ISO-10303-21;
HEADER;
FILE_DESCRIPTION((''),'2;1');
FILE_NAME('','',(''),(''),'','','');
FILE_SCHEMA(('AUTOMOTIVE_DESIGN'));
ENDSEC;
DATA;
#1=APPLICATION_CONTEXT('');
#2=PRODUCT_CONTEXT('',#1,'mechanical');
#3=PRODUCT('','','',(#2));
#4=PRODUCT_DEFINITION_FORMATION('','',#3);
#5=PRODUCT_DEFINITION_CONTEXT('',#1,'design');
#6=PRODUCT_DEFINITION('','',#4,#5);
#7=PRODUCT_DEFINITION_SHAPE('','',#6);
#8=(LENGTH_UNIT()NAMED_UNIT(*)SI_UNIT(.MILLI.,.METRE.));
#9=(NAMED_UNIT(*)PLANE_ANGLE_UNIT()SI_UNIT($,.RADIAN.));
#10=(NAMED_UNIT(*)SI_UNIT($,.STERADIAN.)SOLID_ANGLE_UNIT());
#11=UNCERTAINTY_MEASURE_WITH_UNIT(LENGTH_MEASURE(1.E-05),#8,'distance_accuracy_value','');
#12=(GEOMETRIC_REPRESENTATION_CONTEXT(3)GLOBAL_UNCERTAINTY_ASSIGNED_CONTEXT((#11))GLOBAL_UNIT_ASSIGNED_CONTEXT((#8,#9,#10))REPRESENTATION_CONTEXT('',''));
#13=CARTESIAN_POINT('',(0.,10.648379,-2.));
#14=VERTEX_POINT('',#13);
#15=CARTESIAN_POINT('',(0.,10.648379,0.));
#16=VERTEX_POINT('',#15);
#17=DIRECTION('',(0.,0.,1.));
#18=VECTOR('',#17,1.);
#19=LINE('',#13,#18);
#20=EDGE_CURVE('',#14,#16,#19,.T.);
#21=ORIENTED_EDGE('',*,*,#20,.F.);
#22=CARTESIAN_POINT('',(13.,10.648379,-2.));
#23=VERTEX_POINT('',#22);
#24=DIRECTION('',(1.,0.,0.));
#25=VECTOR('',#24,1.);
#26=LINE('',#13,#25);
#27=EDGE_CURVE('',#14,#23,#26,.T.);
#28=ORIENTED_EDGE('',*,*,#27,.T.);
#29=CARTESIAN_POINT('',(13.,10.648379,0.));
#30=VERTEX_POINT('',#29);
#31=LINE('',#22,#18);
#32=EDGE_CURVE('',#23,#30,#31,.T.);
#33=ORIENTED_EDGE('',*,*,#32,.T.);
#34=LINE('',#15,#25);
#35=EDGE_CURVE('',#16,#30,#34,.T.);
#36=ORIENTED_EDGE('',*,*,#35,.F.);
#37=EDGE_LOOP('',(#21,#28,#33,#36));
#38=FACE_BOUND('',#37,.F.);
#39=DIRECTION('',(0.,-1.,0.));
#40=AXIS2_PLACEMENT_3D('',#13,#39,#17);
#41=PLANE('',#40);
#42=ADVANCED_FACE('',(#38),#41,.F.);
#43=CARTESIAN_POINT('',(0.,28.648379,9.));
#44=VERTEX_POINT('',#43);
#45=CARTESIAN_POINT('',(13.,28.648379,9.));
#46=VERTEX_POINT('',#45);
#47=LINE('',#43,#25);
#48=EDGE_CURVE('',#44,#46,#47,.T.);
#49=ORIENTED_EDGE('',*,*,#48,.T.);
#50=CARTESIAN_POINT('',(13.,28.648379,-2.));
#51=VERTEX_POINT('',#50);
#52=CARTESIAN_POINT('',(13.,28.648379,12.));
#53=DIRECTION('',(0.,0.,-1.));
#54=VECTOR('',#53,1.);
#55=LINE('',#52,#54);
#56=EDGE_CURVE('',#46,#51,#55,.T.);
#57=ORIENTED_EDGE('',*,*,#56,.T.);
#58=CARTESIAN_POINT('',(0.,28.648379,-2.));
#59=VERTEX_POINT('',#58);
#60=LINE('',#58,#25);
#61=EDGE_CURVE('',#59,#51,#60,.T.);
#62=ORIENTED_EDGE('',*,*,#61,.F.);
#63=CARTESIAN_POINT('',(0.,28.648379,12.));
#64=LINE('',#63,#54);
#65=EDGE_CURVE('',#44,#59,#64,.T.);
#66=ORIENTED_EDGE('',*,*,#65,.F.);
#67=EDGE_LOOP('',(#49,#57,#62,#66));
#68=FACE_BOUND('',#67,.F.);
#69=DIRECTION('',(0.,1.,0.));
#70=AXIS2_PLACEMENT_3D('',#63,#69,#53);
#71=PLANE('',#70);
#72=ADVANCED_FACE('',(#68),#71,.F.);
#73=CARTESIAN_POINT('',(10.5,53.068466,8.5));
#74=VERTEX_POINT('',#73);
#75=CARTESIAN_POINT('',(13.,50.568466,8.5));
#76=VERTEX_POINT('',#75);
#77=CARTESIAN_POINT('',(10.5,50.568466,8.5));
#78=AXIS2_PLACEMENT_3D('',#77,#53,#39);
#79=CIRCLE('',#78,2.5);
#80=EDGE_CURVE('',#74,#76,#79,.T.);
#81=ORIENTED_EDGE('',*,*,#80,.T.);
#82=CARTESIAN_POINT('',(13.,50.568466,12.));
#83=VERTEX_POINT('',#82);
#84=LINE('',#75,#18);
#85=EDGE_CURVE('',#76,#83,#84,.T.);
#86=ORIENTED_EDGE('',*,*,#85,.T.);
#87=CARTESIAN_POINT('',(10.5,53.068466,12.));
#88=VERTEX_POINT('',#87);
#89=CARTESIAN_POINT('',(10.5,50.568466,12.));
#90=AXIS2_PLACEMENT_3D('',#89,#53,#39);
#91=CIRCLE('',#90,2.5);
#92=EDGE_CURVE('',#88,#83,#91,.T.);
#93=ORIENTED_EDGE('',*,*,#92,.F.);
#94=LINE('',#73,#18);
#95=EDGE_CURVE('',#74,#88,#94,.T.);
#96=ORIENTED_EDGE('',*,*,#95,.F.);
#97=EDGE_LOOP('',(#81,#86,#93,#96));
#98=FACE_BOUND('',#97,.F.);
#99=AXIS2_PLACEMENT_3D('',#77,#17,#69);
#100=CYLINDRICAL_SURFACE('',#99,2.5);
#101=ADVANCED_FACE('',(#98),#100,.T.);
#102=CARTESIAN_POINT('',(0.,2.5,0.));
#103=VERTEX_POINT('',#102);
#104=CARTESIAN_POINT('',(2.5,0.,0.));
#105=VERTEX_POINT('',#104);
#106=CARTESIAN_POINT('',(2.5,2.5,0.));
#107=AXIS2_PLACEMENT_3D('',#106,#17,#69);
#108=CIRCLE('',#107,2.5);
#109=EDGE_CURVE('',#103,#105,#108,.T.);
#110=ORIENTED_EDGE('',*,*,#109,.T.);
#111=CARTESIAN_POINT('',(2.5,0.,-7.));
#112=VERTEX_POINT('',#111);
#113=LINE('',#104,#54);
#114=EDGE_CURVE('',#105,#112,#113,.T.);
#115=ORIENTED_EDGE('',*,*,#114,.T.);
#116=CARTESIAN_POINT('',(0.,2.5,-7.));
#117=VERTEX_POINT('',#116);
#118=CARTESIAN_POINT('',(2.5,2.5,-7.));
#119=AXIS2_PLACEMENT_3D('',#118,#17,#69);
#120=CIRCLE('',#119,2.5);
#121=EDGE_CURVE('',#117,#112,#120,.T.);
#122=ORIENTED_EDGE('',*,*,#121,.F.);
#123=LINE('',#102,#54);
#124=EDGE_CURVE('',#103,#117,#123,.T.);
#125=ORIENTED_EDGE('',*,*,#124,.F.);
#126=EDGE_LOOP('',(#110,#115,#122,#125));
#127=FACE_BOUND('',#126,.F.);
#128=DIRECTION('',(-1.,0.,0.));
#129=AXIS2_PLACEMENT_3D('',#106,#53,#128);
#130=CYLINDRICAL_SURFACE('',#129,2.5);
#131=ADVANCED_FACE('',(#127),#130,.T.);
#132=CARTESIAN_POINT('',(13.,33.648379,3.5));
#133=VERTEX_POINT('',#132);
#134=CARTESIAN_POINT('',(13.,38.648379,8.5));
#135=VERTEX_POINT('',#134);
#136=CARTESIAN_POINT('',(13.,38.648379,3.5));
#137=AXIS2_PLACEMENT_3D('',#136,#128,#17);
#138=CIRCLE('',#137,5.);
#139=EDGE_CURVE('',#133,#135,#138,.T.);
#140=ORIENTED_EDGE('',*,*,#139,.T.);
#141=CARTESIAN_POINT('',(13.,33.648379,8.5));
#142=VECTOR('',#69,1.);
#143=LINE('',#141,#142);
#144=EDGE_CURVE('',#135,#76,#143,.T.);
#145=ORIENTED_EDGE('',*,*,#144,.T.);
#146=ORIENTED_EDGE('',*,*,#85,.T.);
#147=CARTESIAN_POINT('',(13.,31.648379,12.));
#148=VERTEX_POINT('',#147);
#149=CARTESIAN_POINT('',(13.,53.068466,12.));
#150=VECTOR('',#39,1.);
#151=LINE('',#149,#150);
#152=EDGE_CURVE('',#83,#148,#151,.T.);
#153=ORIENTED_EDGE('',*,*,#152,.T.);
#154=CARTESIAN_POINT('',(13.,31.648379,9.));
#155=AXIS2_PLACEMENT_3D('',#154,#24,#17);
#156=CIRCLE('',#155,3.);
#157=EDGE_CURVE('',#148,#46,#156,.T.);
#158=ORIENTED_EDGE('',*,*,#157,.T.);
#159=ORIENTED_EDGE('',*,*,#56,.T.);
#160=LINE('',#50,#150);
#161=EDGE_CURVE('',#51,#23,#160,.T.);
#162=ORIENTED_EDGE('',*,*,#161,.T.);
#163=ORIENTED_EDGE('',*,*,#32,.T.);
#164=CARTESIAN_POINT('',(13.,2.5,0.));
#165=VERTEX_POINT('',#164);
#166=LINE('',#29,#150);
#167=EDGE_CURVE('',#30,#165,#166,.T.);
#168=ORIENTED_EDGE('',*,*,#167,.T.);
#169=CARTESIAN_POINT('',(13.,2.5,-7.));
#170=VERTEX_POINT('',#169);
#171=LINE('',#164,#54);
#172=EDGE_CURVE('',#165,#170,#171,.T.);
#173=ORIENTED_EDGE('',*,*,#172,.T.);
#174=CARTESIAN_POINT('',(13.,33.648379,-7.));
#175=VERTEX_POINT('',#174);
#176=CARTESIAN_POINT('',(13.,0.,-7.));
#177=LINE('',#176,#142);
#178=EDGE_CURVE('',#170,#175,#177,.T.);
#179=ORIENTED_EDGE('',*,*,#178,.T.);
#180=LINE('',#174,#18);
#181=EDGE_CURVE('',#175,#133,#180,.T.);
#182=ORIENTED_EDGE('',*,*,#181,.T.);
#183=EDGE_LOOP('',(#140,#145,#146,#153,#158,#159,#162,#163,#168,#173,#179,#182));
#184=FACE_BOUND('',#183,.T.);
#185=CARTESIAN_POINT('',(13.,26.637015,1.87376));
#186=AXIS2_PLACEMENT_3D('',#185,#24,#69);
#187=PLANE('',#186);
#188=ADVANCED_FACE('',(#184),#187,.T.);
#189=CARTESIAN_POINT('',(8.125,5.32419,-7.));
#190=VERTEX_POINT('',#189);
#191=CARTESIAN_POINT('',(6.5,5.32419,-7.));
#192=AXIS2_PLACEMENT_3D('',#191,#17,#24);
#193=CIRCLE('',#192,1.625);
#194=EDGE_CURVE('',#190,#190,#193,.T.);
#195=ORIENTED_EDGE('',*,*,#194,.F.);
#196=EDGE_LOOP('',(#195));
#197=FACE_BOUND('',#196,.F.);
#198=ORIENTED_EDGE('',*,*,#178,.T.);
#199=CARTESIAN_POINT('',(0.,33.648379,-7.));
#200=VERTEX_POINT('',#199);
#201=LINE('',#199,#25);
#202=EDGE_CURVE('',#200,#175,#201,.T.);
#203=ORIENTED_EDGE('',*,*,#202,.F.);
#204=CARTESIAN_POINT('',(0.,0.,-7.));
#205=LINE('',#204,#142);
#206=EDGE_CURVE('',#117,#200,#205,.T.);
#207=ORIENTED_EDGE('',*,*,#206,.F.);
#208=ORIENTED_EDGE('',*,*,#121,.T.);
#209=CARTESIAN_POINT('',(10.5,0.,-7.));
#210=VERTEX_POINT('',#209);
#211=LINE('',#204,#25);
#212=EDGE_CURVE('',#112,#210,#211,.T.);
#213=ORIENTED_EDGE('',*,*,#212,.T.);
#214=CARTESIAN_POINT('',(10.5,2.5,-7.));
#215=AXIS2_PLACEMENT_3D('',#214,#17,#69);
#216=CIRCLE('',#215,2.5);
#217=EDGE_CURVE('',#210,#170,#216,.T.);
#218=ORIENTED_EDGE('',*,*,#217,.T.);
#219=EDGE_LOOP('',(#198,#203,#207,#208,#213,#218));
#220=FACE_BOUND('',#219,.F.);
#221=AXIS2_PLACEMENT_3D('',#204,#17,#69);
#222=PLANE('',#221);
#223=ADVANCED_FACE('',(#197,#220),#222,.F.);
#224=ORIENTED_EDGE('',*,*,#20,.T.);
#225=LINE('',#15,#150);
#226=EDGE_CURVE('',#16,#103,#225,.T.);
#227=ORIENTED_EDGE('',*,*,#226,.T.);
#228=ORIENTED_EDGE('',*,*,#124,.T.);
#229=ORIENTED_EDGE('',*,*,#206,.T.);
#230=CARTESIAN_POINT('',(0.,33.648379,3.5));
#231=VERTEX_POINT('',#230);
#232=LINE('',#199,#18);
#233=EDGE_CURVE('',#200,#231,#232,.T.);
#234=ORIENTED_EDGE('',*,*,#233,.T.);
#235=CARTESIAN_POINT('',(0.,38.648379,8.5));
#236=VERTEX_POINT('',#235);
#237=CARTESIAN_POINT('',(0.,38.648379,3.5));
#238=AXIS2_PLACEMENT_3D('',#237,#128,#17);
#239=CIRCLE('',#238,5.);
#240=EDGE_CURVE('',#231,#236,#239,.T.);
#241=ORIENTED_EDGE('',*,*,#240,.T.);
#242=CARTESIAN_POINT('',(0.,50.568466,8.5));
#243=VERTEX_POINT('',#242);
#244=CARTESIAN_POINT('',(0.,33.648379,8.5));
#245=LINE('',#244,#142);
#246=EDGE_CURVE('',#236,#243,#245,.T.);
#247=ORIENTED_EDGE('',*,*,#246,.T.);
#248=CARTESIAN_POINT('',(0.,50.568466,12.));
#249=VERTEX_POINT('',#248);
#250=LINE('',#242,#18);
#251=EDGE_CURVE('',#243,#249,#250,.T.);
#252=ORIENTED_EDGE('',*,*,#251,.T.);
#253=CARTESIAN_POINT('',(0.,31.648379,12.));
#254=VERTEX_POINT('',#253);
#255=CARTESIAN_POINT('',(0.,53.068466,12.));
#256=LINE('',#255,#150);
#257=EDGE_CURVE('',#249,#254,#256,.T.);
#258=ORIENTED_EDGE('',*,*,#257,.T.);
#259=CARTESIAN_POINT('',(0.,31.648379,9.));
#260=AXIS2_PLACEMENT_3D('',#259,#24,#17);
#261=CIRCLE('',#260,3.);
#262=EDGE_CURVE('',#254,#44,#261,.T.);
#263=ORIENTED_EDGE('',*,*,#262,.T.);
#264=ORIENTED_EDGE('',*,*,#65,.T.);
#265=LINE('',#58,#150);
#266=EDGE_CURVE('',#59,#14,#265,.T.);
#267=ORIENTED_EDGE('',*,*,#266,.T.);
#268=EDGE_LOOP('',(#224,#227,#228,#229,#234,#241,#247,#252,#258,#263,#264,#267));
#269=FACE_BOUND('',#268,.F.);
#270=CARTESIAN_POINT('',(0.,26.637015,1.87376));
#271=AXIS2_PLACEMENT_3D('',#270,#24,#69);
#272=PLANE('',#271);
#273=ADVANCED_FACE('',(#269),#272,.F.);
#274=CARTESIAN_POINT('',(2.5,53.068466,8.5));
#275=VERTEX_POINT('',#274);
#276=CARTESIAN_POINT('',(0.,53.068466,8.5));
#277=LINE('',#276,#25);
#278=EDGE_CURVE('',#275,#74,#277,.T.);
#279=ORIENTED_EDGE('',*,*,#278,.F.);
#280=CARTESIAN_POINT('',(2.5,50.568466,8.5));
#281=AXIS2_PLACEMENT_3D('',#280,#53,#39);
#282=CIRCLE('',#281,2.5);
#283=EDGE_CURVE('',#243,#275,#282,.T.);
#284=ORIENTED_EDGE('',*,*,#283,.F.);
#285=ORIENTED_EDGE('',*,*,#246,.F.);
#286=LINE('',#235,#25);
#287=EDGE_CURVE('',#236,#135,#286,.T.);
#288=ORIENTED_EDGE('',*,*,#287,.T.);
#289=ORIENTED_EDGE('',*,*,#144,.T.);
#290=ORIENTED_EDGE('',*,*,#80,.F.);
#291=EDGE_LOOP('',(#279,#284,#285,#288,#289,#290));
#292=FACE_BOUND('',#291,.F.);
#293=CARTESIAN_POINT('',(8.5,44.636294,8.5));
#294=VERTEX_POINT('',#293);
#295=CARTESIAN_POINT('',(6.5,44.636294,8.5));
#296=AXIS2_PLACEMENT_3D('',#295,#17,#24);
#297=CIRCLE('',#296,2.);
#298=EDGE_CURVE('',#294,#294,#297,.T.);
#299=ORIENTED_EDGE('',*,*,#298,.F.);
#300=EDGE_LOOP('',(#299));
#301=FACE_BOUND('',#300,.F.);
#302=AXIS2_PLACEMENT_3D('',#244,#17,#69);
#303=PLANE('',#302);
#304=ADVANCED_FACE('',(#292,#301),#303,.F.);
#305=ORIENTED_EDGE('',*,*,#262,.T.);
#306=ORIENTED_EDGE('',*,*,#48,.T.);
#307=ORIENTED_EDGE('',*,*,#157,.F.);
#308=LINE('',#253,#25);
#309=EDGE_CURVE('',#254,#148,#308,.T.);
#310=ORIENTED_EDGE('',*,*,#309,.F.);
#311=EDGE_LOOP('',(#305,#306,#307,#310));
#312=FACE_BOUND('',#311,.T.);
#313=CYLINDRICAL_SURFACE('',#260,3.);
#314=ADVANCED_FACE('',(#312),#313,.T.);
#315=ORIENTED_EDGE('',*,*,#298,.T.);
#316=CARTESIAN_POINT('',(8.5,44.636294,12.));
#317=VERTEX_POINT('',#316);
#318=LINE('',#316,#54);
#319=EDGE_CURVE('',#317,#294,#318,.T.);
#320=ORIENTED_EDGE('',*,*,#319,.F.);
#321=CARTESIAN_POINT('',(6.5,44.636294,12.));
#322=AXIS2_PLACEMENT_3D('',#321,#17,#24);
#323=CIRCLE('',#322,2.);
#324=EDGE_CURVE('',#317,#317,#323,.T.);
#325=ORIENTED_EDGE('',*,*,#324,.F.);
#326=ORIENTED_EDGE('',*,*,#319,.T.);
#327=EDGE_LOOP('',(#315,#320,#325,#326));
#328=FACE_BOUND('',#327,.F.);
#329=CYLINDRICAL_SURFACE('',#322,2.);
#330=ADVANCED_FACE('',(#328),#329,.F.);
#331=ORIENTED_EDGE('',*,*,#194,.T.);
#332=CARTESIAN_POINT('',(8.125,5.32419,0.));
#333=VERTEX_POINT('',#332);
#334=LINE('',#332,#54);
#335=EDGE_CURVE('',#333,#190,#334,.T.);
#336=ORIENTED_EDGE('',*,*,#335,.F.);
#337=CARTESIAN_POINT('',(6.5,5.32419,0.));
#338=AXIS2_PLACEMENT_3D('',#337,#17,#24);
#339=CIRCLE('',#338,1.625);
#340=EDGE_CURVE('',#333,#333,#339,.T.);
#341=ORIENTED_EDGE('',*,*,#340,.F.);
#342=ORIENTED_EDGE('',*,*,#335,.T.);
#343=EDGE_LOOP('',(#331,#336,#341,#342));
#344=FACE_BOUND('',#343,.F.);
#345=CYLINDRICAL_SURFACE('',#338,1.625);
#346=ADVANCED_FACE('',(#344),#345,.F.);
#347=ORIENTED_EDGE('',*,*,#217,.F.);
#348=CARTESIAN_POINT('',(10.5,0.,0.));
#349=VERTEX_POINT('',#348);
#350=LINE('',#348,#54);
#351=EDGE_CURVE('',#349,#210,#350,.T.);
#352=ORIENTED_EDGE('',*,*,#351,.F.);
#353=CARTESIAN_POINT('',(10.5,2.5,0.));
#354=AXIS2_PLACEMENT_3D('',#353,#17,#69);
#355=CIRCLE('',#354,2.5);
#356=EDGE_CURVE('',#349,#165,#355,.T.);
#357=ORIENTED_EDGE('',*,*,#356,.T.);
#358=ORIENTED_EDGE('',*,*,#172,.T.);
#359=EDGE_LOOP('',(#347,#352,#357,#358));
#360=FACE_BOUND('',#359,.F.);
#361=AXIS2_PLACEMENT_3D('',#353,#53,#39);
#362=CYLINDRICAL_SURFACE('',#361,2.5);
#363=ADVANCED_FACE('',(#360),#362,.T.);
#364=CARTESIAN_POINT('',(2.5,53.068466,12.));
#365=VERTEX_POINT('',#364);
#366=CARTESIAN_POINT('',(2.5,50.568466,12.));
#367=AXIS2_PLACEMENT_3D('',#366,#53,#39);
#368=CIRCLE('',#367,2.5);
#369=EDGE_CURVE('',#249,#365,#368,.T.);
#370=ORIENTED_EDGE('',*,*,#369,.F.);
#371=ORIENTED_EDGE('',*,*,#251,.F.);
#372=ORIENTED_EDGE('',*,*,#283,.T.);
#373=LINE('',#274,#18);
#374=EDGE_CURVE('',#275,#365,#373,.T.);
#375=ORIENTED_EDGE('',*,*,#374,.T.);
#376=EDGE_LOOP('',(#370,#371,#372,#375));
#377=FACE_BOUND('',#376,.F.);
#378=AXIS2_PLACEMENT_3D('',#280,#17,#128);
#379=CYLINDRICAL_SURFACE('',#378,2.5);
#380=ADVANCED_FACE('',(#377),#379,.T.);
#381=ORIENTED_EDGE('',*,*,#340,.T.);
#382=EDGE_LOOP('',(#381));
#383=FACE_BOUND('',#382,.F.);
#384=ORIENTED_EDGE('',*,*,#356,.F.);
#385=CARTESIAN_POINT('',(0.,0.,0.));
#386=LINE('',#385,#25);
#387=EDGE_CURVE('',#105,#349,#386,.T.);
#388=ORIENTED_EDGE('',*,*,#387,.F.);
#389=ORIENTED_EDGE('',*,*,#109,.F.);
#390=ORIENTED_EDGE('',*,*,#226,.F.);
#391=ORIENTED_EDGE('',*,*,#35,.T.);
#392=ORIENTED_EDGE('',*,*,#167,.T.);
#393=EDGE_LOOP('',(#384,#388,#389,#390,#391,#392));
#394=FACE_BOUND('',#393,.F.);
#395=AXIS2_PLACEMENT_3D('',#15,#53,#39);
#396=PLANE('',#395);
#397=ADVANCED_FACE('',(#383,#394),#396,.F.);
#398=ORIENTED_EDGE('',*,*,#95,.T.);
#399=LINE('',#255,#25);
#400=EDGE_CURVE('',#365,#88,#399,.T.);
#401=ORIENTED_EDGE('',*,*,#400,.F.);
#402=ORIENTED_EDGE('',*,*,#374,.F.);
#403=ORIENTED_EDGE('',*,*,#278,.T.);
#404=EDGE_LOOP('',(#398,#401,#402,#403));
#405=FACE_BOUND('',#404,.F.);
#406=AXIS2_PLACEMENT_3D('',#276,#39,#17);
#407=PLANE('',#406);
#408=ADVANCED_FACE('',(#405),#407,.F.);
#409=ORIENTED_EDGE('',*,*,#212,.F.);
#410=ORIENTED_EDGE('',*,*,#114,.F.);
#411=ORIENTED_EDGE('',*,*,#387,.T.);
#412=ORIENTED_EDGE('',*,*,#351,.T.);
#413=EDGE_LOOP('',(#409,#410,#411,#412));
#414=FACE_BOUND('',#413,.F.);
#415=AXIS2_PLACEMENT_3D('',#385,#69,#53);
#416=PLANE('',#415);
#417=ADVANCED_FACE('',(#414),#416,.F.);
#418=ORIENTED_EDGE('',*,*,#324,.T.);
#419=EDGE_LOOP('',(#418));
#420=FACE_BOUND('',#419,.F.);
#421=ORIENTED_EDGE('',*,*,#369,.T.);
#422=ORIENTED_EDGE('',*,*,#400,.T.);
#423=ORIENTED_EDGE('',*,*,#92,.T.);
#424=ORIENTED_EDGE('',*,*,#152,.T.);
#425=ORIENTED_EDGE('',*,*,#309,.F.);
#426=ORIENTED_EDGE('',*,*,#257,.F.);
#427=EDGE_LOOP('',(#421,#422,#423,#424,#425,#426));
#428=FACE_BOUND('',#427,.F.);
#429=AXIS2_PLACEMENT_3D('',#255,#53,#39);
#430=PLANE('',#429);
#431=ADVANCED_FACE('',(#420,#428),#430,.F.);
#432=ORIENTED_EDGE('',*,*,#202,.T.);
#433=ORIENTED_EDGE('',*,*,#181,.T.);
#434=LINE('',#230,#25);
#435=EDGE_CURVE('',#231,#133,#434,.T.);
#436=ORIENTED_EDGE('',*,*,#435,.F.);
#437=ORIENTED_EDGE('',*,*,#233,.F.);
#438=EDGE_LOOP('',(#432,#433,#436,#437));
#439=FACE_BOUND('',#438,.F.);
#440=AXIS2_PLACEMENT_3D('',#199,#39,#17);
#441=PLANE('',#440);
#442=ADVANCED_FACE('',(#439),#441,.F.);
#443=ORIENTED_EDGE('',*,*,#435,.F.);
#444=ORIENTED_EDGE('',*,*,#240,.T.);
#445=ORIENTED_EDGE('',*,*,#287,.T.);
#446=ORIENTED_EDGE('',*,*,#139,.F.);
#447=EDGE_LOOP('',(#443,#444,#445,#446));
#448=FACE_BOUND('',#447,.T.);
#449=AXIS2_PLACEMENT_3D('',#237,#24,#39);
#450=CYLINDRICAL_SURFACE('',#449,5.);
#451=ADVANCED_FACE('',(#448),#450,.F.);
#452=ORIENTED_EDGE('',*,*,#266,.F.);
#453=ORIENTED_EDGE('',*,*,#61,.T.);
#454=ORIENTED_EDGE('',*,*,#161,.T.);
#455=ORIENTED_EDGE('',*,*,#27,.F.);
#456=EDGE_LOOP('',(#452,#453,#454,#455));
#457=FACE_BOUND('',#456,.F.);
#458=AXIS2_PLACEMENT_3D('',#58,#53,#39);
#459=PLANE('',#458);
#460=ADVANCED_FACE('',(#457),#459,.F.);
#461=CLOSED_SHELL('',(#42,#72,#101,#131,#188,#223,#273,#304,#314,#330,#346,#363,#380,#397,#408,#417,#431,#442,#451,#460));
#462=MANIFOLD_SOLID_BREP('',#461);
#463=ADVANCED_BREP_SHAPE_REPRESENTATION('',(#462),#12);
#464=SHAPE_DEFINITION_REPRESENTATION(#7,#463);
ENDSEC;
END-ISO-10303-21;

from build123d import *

# Parameters (mm, degrees)
F1_DEPTH = 13
F2_R     = 1.625
F3_DEPTH = 25
F4_R     = 2
F5_DEPTH = 25
F6_R     = 5
F7_R     = 3
F8_R     = 2.5


with BuildPart() as f1:
    # F0 (on Right) → F1 (new body)
    with BuildSketch(Plane.YZ):
        Polygon((10.648379, 0), (0, 0), (0, -7), (33.648379, -7), (33.648379, 8.5), (53.068466, 8.5), (53.068466, 12), (28.648379, 12), (28.648379, -2), (10.648379, -2), align=None)
    extrude(amount=F1_DEPTH)

    # F2 (on face) → F3 (cut)
    with BuildSketch(Plane.XY):
        with Locations((6.5, 5.32419)):
            Circle(F2_R)
    extrude(amount=-F3_DEPTH, mode=Mode.SUBTRACT)

    # F4 (on face) → F5 (cut)
    with BuildSketch(Plane.XY.offset(12)):
        with Locations((6.5, 44.636294)):
            Circle(F4_R)
    extrude(amount=-F5_DEPTH, mode=Mode.SUBTRACT)

    # F6
    f6_edges = [f1.edges().sort_by_distance(p)[0] for p in [
        (6.5, 33.648379, 8.5),
    ]]
    fillet(f6_edges, radius=F6_R)

    # F7
    f7_edges = [f1.edges().sort_by_distance(p)[0] for p in [
        (6.5, 28.648379, 12),
    ]]
    fillet(f7_edges, radius=F7_R)

    # F8
    f8_edges = [f1.edges().sort_by_distance(p)[0] for p in [
        (13, 53.068466, 10.25),
        (0, 53.068466, 10.25),
        (13, 0, -3.5),
        (0, 0, -3.5),
    ]]
    fillet(f8_edges, radius=F8_R)


solid = f1.part
